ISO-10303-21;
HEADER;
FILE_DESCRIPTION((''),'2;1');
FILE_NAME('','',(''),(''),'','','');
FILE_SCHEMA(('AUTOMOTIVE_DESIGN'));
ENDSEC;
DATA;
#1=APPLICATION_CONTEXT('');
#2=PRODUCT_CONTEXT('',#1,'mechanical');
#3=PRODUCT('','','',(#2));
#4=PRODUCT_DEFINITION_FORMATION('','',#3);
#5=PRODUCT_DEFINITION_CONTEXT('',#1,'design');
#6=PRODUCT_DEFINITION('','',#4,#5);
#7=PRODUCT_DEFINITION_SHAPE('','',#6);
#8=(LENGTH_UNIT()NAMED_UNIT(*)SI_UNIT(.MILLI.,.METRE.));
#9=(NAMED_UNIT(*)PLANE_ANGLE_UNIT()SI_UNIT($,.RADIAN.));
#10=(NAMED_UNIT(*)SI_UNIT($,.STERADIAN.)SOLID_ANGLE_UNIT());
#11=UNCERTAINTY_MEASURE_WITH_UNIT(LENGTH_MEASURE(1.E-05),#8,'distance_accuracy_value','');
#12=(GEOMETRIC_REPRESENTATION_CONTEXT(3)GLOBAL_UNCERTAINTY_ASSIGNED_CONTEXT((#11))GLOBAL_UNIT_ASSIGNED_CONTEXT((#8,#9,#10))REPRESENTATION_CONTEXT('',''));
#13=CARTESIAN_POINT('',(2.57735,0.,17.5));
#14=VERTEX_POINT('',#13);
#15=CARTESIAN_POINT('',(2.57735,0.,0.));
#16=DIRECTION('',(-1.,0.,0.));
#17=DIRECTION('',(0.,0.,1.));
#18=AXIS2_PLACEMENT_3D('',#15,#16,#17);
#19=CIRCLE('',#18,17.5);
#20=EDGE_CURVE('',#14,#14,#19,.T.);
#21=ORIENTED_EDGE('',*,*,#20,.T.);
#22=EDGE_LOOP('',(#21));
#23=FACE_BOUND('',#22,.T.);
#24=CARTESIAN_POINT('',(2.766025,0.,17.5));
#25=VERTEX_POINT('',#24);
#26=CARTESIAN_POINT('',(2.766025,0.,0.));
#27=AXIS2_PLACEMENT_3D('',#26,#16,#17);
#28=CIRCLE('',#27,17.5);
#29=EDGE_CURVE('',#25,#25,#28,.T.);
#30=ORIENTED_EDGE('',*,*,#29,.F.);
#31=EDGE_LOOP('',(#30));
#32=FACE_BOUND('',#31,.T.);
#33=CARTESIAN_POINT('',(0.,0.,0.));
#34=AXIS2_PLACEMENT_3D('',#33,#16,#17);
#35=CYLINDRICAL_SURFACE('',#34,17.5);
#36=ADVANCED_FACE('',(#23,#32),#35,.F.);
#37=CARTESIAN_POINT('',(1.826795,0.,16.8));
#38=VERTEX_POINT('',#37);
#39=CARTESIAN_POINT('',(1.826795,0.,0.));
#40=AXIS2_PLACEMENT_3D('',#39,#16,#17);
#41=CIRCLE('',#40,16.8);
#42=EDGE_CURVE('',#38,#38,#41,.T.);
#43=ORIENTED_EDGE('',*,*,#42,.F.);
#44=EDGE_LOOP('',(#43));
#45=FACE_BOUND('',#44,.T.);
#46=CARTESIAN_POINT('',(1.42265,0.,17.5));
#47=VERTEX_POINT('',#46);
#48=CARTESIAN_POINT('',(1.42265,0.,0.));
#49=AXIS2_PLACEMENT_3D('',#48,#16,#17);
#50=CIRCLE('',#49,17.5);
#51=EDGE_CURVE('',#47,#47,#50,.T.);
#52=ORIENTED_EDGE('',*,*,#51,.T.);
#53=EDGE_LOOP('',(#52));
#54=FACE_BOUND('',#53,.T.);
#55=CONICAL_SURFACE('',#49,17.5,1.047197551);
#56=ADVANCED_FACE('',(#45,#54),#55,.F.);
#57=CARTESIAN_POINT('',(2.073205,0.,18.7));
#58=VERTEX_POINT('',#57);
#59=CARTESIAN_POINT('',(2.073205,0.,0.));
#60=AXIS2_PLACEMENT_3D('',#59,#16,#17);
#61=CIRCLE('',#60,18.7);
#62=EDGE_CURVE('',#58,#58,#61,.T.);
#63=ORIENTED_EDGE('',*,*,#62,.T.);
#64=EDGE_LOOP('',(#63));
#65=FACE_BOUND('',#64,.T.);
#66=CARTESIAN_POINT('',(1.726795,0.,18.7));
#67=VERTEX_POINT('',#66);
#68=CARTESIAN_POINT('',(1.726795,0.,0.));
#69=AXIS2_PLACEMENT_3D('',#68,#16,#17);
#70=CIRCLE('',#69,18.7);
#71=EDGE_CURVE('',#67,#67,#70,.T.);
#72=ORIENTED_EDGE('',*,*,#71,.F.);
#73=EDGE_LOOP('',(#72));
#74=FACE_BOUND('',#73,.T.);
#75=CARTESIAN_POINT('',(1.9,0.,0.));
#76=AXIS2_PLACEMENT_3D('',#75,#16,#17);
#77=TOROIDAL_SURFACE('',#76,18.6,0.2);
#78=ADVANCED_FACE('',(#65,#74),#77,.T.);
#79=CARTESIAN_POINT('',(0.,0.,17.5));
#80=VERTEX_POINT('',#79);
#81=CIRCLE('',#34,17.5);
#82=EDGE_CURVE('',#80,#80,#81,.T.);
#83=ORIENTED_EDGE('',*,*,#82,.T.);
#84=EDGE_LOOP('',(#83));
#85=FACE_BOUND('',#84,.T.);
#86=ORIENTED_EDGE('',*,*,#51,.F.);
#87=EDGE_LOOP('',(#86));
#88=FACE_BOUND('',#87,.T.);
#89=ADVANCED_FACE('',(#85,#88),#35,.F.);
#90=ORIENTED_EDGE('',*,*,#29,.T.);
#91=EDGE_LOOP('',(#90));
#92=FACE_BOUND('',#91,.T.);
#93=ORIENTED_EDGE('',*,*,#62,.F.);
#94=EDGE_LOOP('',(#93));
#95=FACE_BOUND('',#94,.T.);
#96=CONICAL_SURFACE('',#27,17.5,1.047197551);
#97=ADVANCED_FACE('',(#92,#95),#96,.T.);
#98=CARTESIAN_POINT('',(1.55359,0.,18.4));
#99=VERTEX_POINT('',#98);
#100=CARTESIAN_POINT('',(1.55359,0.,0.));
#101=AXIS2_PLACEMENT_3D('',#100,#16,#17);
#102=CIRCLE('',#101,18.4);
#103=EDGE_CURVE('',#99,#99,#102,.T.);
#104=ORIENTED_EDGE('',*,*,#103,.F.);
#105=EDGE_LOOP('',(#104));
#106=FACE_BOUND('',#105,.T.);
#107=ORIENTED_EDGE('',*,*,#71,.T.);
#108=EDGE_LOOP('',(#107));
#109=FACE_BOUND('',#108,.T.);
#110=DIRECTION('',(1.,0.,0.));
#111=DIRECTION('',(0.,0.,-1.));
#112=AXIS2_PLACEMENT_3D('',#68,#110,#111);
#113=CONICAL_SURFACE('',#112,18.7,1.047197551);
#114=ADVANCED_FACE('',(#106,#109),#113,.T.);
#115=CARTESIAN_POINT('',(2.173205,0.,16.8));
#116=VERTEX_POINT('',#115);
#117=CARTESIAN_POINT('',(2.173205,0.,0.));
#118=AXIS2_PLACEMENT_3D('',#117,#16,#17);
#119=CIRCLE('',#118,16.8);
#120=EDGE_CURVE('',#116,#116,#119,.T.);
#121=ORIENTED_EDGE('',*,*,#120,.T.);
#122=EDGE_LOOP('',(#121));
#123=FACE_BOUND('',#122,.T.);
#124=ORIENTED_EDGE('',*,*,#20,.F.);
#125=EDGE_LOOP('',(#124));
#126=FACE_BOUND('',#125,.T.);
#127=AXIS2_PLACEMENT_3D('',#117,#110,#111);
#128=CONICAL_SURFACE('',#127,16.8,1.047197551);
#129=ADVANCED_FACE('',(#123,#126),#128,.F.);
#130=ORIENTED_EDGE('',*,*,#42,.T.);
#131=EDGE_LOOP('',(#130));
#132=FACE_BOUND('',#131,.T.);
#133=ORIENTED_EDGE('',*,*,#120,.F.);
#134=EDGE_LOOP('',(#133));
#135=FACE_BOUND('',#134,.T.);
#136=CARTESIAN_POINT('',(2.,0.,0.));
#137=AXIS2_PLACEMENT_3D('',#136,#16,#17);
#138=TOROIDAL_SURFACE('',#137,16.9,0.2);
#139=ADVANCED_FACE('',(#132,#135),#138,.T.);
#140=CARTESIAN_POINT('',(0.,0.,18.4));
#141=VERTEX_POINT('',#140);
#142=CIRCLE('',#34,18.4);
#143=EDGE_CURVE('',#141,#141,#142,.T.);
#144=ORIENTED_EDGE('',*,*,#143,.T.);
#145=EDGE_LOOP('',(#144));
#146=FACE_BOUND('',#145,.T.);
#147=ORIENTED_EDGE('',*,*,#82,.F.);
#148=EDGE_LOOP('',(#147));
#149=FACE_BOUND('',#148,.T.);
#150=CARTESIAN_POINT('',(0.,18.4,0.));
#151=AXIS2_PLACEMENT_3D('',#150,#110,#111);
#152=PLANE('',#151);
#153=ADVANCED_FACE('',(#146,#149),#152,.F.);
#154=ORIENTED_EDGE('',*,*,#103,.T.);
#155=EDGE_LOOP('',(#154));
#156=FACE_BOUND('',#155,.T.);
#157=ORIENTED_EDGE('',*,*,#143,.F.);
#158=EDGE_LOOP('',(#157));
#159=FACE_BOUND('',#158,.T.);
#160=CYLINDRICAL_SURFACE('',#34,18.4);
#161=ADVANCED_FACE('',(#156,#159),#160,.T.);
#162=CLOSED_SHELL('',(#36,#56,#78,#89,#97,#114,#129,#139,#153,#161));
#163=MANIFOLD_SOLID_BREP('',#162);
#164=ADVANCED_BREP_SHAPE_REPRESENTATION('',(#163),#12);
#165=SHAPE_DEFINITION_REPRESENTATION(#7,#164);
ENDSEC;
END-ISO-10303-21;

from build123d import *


with BuildPart() as part:
    # Эскиз1 → Повернуть1 (revolve)
    with BuildSketch(Plane.XY, mode=Mode.PRIVATE) as revolve_1_sk:
        with BuildLine():
            Line((0, 18.4), (1.553589838, 18.4))
            Line((1.553589838, 18.4), (1.726794919, 18.7))
            ThreePointArc((1.726794919, 18.7), (1.9, 18.8), (2.073205081, 18.7))
            Line((2.073205081, 18.7), (2.766025404, 17.5))
            Line((2.766025404, 17.5), (2.577350269, 17.5))
            Line((2.577350269, 17.5), (2.173205081, 16.8))
            ThreePointArc((2.173205081, 16.8), (2, 16.7), (1.826794919, 16.8))
            Line((1.826794919, 16.8), (1.422649731, 17.5))
            Line((1.422649731, 17.5), (0, 17.5))
            Line((0, 17.5), (0, 18.4))
        make_face()
    revolve(revolve_1_sk.sketch.rotate(Axis((0, 0, 0), (1, 0, 0)), 90), axis=Axis((0, 0, 0), (1, 0, 0)))


solid = part.part
